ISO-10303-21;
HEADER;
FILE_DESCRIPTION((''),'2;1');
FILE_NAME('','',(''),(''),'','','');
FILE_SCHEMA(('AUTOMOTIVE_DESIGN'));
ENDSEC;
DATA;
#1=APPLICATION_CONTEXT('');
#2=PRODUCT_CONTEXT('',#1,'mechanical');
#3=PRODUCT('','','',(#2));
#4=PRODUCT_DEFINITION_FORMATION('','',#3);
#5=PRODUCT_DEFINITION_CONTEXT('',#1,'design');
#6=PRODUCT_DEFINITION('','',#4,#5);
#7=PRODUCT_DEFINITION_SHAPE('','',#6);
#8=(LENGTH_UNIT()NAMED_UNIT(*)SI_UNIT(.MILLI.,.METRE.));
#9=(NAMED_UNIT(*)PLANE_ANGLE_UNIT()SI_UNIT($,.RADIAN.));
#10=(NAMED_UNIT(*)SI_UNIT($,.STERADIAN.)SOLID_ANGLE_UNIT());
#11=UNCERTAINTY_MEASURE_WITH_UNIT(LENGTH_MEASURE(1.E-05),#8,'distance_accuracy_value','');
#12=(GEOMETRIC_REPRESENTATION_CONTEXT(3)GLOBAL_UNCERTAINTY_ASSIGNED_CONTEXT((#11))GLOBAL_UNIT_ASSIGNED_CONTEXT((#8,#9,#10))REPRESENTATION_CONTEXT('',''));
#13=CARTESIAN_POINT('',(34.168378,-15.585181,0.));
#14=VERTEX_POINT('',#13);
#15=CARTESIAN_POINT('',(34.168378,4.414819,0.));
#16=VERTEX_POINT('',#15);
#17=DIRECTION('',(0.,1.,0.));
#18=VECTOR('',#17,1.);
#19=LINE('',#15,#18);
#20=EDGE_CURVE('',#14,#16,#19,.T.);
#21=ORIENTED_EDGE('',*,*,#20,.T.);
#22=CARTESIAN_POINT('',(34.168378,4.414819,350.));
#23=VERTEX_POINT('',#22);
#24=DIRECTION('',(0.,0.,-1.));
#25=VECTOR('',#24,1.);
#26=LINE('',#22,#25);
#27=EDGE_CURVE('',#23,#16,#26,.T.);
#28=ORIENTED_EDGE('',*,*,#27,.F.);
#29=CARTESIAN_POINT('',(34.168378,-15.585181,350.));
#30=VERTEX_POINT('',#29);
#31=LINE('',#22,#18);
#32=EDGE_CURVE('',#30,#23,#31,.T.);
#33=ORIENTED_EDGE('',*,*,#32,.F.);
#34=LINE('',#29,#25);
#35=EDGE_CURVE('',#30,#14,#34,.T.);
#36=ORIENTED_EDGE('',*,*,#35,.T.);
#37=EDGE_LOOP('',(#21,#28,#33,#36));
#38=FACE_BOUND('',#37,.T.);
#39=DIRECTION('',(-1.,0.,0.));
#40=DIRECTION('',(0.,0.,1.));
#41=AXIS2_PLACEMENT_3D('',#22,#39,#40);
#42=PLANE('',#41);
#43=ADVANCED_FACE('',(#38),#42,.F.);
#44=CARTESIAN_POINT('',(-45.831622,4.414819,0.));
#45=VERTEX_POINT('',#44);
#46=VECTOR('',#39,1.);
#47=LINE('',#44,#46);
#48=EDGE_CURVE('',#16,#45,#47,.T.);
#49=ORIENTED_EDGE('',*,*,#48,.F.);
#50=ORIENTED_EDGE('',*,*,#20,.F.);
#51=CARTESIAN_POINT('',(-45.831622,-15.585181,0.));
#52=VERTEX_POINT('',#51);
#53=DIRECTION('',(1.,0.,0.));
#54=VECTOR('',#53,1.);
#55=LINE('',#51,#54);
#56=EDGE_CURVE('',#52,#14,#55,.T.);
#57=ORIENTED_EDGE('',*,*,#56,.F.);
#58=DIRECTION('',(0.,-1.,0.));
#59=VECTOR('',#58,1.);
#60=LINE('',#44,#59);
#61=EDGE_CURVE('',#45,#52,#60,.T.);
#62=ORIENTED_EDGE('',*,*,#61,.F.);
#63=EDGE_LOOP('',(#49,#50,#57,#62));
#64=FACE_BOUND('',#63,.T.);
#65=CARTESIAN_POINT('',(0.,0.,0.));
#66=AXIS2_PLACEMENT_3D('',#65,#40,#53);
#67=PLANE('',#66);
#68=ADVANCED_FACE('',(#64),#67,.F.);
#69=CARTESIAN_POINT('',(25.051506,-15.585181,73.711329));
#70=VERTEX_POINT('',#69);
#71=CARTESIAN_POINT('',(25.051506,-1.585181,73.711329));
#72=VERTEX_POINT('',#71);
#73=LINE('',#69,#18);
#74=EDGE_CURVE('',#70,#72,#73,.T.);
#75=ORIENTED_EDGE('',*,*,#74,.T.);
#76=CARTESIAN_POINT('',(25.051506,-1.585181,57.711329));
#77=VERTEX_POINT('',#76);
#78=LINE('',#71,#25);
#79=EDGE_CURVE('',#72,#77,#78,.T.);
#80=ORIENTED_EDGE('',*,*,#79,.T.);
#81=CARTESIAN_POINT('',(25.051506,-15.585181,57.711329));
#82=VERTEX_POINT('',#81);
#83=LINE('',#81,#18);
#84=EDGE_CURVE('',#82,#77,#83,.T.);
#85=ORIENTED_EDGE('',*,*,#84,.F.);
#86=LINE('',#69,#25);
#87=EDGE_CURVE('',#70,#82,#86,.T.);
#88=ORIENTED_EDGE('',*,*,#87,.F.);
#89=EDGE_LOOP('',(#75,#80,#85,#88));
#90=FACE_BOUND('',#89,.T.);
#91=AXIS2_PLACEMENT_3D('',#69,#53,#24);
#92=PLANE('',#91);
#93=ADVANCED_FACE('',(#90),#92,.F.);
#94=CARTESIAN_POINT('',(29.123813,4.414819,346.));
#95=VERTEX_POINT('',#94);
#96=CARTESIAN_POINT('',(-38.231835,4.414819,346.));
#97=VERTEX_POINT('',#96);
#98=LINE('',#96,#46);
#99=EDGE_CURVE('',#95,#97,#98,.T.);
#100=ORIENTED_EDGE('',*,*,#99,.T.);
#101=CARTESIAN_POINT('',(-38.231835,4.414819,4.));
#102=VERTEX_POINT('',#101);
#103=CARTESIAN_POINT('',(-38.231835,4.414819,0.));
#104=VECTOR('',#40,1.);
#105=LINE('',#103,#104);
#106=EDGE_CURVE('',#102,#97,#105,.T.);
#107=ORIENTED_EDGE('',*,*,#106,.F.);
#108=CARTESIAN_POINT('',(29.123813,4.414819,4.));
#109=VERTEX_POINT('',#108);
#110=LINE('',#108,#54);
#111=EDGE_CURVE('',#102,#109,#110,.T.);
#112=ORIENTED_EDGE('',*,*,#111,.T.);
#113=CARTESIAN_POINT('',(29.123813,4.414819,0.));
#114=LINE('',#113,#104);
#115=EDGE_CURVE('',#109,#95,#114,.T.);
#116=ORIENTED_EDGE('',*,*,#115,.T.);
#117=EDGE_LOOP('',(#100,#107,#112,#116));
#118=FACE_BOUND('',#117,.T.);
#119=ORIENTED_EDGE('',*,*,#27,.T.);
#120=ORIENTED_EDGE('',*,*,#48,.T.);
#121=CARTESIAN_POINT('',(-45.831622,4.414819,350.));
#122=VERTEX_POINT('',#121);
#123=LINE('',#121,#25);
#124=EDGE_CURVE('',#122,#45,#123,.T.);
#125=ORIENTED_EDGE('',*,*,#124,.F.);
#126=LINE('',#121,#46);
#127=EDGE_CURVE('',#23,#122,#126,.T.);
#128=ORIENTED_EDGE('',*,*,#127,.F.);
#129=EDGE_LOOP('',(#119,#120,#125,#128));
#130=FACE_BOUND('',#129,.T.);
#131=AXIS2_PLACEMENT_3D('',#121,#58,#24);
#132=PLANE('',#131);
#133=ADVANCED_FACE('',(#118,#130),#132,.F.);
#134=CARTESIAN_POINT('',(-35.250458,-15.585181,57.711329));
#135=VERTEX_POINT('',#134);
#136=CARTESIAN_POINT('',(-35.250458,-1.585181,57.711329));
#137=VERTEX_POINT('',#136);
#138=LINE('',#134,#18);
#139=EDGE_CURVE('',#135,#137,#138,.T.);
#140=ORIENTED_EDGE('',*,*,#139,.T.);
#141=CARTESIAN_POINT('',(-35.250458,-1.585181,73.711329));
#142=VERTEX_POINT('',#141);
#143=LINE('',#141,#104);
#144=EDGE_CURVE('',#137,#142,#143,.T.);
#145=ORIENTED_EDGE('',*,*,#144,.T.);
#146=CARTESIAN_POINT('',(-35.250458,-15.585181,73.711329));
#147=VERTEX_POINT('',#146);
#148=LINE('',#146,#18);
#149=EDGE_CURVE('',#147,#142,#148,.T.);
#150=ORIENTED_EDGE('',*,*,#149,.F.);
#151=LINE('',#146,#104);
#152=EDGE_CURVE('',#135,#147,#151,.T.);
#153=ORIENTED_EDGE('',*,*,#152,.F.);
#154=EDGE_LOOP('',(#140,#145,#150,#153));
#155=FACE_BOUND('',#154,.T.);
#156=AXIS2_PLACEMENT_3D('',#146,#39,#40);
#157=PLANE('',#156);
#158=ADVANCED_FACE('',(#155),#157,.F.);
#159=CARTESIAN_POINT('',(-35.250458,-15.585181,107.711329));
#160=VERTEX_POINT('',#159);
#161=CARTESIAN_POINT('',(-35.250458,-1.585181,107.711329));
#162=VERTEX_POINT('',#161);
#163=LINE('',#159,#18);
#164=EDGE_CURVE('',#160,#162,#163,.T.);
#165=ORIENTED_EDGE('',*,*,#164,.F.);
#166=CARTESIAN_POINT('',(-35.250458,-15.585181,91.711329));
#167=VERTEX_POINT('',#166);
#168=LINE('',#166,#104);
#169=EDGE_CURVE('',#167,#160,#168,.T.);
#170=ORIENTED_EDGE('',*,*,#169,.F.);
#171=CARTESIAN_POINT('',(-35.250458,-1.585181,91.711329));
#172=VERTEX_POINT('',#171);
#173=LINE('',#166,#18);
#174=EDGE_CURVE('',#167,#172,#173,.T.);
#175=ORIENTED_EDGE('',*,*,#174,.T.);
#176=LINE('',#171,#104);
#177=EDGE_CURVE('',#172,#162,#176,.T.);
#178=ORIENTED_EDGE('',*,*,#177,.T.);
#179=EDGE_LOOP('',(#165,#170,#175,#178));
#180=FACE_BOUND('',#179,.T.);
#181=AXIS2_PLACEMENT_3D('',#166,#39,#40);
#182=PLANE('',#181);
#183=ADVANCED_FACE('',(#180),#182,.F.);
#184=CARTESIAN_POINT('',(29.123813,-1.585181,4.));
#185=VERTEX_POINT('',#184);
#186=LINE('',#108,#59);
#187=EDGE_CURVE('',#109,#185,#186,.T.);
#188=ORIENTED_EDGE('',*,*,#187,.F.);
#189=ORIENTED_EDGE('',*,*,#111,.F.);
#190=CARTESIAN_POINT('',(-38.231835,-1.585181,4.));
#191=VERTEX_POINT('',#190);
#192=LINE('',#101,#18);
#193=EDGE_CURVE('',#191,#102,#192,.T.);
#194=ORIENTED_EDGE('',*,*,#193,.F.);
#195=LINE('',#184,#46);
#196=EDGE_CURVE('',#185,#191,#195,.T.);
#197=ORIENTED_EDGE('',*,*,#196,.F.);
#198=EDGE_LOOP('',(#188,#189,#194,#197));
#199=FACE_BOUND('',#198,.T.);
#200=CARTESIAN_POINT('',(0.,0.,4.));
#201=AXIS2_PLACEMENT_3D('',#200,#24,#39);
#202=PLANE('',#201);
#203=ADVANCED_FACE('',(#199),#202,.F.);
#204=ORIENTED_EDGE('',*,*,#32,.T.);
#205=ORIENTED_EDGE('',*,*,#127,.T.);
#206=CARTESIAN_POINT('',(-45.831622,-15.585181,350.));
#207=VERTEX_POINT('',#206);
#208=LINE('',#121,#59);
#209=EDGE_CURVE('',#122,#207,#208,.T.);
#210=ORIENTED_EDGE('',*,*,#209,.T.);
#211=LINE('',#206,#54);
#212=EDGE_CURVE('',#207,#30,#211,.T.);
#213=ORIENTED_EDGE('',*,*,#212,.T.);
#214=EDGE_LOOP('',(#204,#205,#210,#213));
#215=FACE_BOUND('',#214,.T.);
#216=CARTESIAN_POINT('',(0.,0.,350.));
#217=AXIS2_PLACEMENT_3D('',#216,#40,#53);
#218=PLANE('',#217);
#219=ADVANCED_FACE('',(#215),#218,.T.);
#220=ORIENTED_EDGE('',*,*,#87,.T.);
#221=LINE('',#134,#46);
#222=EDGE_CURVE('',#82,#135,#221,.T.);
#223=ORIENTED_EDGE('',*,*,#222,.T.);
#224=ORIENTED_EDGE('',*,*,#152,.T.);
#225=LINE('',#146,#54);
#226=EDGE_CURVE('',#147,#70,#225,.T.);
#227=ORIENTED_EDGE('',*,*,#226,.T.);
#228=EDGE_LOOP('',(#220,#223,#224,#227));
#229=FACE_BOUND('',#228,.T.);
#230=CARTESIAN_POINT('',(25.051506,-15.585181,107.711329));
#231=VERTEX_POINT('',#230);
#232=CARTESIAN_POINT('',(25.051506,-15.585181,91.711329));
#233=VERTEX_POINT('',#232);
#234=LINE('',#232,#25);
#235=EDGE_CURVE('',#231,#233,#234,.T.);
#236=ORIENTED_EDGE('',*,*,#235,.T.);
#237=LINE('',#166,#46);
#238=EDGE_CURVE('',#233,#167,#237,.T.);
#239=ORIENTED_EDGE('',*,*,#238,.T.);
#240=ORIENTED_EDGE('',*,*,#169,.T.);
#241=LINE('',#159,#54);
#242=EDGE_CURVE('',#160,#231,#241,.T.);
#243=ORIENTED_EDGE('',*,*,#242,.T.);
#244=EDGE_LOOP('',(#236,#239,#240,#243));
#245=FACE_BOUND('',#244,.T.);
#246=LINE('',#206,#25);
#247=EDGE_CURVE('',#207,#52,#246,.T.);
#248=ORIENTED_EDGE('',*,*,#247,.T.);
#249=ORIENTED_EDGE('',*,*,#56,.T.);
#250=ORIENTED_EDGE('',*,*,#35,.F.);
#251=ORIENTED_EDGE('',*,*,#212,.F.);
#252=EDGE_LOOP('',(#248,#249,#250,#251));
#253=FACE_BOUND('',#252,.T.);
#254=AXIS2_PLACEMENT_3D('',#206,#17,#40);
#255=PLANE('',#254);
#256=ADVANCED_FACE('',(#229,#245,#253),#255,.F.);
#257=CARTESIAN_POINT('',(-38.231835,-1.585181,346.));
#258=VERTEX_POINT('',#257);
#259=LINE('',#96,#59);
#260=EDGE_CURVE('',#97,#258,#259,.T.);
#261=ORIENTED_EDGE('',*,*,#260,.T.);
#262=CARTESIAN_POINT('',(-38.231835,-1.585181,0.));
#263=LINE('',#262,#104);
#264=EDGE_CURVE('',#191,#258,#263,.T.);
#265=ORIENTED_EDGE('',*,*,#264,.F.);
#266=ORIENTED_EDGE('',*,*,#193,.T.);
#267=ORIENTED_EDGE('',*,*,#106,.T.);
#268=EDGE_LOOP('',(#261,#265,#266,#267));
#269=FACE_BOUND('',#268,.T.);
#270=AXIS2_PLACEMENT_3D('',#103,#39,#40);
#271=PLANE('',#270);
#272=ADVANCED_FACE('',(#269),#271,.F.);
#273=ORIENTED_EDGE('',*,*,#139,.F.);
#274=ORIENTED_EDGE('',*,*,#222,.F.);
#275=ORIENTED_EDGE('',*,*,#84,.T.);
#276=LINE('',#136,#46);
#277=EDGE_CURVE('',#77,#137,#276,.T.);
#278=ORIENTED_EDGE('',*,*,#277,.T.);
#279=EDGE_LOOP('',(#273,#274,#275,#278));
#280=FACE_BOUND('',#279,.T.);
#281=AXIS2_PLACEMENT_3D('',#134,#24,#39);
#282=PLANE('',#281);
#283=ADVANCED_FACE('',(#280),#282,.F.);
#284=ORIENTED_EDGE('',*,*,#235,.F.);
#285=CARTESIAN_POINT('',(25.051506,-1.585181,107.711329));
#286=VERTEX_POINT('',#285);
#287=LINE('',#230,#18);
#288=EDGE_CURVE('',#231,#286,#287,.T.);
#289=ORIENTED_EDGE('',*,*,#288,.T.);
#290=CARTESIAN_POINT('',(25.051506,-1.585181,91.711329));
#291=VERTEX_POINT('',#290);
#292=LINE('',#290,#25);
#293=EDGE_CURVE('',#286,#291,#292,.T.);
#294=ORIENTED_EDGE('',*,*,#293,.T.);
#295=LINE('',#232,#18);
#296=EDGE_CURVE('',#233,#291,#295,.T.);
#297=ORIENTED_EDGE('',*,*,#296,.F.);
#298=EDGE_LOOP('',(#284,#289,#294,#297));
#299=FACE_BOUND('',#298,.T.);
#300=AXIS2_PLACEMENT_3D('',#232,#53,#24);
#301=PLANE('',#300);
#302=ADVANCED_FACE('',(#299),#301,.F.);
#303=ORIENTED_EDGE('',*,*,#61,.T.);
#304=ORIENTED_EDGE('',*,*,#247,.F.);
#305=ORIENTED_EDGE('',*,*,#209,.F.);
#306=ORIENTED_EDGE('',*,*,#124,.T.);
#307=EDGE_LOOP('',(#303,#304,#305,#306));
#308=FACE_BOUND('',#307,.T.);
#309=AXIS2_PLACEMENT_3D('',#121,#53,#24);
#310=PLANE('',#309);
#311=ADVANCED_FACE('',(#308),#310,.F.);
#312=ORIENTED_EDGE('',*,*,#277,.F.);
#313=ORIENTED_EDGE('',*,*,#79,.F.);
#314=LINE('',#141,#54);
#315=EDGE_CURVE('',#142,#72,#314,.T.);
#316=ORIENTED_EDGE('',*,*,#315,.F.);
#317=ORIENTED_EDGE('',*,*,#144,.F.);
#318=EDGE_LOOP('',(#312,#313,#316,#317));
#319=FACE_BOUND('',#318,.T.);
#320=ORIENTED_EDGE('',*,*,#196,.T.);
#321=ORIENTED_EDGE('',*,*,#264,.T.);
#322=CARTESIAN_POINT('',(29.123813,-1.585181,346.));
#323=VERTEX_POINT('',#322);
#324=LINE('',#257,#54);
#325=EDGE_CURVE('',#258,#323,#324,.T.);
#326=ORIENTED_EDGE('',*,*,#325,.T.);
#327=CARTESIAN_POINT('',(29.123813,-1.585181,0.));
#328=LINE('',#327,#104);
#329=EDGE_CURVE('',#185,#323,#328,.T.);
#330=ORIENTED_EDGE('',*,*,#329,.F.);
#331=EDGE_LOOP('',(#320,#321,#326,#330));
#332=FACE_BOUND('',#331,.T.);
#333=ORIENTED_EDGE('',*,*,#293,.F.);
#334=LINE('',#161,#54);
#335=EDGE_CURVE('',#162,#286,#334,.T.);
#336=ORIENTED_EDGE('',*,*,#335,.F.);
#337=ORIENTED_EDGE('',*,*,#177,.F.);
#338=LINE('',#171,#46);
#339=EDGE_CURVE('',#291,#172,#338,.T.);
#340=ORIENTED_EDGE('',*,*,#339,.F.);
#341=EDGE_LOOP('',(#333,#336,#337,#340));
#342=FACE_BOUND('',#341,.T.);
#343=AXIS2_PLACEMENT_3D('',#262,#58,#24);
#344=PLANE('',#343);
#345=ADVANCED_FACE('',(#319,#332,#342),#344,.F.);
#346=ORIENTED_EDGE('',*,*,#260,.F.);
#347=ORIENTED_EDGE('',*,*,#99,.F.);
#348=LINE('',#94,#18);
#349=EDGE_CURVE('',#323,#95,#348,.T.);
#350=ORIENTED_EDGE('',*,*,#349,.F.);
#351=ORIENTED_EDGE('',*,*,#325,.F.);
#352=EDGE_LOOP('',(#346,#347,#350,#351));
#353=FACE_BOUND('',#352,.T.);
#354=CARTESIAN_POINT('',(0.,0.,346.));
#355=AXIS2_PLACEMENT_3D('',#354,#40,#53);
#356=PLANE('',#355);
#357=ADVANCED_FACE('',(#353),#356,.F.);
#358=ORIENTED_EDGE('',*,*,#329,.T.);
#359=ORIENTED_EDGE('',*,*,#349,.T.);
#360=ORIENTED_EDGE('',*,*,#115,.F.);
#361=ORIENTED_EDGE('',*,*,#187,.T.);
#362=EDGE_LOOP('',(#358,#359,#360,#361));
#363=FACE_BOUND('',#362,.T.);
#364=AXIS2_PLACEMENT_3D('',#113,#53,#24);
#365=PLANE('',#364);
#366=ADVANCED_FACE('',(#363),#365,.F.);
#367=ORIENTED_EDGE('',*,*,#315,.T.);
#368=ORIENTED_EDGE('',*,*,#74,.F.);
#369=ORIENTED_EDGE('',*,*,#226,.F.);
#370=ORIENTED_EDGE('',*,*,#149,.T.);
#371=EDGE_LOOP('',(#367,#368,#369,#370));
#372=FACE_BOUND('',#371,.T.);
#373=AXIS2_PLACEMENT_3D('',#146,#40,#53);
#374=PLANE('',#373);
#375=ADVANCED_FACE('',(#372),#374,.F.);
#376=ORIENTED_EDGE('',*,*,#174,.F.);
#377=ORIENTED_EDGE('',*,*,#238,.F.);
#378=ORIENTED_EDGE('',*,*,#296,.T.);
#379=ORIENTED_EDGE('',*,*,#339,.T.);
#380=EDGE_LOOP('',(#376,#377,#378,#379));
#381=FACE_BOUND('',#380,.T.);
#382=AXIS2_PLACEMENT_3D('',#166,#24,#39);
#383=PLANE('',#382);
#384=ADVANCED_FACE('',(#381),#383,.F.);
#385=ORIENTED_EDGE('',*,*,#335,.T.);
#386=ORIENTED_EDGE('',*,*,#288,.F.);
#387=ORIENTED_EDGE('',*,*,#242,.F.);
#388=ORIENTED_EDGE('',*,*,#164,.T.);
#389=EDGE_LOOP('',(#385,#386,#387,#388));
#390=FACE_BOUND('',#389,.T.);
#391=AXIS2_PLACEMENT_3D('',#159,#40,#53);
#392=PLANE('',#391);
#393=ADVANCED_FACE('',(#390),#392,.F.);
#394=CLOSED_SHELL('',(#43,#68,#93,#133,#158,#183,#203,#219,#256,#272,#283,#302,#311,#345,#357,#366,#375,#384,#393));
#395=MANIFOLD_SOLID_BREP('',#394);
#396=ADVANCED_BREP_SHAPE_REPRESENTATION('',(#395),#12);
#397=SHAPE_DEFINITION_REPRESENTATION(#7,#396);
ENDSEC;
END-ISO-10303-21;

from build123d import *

# Parameters (mm, degrees)
SKETCH_1_W          = 80
SKETCH_1_H          = 20
EXTRUDE_1_DEPTH     = 350
SKETCH_2_W          = 67.355648201
SKETCH_2_H          = 6
CUT_EXTRUDE_1_DEPTH = 351
SKETCH_3_W          = 60.301963697
SKETCH_3_H          = 16
CUT_EXTRUDE_2_DEPTH = 15
SKETCH_4_W          = 67.355648201
SKETCH_4_H          = 6
EXTRUDE_2_DEPTH     = 4
SKETCH_5_W          = 67.355648201
SKETCH_5_H          = 6
EXTRUDE_3_DEPTH     = 4


with BuildPart() as part:
    # 草图1 → 凸台-拉伸1 (new body)
    with BuildSketch(Plane.XY):
        with Locations((-5.831622177, -5.58518109)):
            Rectangle(SKETCH_1_W, SKETCH_1_H)
    extrude(amount=EXTRUDE_1_DEPTH)

    # 草图2 → 切除-拉伸1 (cut, through all)
    with BuildSketch(Plane.XY.offset(350)):
        with Locations((-4.554011248, 1.41481891)):
            Rectangle(SKETCH_2_W, SKETCH_2_H)
    extrude(amount=-CUT_EXTRUDE_1_DEPTH, mode=Mode.SUBTRACT)

    # 草图3 → 切除-拉伸2 (cut, through all)
    with BuildSketch(Plane(origin=(0, -1.58518109, 0), x_dir=(1, 0, 0), z_dir=(0, 1, 0))):
        with Locations((-5.099475916, -65.71132948)):
            Rectangle(SKETCH_3_W, SKETCH_3_H)
        with Locations((-5.099475916, -99.71132948)):
            Rectangle(SKETCH_3_W, SKETCH_3_H)
    extrude(amount=-CUT_EXTRUDE_2_DEPTH, mode=Mode.SUBTRACT)

    # 草图4 → 凸台-拉伸2 (add)
    with BuildSketch(Plane.XY.offset(350)):
        with Locations((-4.554011248, 1.41481891)):
            Rectangle(SKETCH_4_W, SKETCH_4_H)
    extrude(amount=-EXTRUDE_2_DEPTH)

    # 草图5 → 凸台-拉伸3 (add)
    with BuildSketch(Plane(origin=(0, 0, 0), x_dir=(-1, 0, 0), z_dir=(0, 0, -1))):
        with Locations((4.554011248, 1.41481891)):
            Rectangle(SKETCH_5_W, SKETCH_5_H)
    extrude(amount=-EXTRUDE_3_DEPTH)


solid = part.part
